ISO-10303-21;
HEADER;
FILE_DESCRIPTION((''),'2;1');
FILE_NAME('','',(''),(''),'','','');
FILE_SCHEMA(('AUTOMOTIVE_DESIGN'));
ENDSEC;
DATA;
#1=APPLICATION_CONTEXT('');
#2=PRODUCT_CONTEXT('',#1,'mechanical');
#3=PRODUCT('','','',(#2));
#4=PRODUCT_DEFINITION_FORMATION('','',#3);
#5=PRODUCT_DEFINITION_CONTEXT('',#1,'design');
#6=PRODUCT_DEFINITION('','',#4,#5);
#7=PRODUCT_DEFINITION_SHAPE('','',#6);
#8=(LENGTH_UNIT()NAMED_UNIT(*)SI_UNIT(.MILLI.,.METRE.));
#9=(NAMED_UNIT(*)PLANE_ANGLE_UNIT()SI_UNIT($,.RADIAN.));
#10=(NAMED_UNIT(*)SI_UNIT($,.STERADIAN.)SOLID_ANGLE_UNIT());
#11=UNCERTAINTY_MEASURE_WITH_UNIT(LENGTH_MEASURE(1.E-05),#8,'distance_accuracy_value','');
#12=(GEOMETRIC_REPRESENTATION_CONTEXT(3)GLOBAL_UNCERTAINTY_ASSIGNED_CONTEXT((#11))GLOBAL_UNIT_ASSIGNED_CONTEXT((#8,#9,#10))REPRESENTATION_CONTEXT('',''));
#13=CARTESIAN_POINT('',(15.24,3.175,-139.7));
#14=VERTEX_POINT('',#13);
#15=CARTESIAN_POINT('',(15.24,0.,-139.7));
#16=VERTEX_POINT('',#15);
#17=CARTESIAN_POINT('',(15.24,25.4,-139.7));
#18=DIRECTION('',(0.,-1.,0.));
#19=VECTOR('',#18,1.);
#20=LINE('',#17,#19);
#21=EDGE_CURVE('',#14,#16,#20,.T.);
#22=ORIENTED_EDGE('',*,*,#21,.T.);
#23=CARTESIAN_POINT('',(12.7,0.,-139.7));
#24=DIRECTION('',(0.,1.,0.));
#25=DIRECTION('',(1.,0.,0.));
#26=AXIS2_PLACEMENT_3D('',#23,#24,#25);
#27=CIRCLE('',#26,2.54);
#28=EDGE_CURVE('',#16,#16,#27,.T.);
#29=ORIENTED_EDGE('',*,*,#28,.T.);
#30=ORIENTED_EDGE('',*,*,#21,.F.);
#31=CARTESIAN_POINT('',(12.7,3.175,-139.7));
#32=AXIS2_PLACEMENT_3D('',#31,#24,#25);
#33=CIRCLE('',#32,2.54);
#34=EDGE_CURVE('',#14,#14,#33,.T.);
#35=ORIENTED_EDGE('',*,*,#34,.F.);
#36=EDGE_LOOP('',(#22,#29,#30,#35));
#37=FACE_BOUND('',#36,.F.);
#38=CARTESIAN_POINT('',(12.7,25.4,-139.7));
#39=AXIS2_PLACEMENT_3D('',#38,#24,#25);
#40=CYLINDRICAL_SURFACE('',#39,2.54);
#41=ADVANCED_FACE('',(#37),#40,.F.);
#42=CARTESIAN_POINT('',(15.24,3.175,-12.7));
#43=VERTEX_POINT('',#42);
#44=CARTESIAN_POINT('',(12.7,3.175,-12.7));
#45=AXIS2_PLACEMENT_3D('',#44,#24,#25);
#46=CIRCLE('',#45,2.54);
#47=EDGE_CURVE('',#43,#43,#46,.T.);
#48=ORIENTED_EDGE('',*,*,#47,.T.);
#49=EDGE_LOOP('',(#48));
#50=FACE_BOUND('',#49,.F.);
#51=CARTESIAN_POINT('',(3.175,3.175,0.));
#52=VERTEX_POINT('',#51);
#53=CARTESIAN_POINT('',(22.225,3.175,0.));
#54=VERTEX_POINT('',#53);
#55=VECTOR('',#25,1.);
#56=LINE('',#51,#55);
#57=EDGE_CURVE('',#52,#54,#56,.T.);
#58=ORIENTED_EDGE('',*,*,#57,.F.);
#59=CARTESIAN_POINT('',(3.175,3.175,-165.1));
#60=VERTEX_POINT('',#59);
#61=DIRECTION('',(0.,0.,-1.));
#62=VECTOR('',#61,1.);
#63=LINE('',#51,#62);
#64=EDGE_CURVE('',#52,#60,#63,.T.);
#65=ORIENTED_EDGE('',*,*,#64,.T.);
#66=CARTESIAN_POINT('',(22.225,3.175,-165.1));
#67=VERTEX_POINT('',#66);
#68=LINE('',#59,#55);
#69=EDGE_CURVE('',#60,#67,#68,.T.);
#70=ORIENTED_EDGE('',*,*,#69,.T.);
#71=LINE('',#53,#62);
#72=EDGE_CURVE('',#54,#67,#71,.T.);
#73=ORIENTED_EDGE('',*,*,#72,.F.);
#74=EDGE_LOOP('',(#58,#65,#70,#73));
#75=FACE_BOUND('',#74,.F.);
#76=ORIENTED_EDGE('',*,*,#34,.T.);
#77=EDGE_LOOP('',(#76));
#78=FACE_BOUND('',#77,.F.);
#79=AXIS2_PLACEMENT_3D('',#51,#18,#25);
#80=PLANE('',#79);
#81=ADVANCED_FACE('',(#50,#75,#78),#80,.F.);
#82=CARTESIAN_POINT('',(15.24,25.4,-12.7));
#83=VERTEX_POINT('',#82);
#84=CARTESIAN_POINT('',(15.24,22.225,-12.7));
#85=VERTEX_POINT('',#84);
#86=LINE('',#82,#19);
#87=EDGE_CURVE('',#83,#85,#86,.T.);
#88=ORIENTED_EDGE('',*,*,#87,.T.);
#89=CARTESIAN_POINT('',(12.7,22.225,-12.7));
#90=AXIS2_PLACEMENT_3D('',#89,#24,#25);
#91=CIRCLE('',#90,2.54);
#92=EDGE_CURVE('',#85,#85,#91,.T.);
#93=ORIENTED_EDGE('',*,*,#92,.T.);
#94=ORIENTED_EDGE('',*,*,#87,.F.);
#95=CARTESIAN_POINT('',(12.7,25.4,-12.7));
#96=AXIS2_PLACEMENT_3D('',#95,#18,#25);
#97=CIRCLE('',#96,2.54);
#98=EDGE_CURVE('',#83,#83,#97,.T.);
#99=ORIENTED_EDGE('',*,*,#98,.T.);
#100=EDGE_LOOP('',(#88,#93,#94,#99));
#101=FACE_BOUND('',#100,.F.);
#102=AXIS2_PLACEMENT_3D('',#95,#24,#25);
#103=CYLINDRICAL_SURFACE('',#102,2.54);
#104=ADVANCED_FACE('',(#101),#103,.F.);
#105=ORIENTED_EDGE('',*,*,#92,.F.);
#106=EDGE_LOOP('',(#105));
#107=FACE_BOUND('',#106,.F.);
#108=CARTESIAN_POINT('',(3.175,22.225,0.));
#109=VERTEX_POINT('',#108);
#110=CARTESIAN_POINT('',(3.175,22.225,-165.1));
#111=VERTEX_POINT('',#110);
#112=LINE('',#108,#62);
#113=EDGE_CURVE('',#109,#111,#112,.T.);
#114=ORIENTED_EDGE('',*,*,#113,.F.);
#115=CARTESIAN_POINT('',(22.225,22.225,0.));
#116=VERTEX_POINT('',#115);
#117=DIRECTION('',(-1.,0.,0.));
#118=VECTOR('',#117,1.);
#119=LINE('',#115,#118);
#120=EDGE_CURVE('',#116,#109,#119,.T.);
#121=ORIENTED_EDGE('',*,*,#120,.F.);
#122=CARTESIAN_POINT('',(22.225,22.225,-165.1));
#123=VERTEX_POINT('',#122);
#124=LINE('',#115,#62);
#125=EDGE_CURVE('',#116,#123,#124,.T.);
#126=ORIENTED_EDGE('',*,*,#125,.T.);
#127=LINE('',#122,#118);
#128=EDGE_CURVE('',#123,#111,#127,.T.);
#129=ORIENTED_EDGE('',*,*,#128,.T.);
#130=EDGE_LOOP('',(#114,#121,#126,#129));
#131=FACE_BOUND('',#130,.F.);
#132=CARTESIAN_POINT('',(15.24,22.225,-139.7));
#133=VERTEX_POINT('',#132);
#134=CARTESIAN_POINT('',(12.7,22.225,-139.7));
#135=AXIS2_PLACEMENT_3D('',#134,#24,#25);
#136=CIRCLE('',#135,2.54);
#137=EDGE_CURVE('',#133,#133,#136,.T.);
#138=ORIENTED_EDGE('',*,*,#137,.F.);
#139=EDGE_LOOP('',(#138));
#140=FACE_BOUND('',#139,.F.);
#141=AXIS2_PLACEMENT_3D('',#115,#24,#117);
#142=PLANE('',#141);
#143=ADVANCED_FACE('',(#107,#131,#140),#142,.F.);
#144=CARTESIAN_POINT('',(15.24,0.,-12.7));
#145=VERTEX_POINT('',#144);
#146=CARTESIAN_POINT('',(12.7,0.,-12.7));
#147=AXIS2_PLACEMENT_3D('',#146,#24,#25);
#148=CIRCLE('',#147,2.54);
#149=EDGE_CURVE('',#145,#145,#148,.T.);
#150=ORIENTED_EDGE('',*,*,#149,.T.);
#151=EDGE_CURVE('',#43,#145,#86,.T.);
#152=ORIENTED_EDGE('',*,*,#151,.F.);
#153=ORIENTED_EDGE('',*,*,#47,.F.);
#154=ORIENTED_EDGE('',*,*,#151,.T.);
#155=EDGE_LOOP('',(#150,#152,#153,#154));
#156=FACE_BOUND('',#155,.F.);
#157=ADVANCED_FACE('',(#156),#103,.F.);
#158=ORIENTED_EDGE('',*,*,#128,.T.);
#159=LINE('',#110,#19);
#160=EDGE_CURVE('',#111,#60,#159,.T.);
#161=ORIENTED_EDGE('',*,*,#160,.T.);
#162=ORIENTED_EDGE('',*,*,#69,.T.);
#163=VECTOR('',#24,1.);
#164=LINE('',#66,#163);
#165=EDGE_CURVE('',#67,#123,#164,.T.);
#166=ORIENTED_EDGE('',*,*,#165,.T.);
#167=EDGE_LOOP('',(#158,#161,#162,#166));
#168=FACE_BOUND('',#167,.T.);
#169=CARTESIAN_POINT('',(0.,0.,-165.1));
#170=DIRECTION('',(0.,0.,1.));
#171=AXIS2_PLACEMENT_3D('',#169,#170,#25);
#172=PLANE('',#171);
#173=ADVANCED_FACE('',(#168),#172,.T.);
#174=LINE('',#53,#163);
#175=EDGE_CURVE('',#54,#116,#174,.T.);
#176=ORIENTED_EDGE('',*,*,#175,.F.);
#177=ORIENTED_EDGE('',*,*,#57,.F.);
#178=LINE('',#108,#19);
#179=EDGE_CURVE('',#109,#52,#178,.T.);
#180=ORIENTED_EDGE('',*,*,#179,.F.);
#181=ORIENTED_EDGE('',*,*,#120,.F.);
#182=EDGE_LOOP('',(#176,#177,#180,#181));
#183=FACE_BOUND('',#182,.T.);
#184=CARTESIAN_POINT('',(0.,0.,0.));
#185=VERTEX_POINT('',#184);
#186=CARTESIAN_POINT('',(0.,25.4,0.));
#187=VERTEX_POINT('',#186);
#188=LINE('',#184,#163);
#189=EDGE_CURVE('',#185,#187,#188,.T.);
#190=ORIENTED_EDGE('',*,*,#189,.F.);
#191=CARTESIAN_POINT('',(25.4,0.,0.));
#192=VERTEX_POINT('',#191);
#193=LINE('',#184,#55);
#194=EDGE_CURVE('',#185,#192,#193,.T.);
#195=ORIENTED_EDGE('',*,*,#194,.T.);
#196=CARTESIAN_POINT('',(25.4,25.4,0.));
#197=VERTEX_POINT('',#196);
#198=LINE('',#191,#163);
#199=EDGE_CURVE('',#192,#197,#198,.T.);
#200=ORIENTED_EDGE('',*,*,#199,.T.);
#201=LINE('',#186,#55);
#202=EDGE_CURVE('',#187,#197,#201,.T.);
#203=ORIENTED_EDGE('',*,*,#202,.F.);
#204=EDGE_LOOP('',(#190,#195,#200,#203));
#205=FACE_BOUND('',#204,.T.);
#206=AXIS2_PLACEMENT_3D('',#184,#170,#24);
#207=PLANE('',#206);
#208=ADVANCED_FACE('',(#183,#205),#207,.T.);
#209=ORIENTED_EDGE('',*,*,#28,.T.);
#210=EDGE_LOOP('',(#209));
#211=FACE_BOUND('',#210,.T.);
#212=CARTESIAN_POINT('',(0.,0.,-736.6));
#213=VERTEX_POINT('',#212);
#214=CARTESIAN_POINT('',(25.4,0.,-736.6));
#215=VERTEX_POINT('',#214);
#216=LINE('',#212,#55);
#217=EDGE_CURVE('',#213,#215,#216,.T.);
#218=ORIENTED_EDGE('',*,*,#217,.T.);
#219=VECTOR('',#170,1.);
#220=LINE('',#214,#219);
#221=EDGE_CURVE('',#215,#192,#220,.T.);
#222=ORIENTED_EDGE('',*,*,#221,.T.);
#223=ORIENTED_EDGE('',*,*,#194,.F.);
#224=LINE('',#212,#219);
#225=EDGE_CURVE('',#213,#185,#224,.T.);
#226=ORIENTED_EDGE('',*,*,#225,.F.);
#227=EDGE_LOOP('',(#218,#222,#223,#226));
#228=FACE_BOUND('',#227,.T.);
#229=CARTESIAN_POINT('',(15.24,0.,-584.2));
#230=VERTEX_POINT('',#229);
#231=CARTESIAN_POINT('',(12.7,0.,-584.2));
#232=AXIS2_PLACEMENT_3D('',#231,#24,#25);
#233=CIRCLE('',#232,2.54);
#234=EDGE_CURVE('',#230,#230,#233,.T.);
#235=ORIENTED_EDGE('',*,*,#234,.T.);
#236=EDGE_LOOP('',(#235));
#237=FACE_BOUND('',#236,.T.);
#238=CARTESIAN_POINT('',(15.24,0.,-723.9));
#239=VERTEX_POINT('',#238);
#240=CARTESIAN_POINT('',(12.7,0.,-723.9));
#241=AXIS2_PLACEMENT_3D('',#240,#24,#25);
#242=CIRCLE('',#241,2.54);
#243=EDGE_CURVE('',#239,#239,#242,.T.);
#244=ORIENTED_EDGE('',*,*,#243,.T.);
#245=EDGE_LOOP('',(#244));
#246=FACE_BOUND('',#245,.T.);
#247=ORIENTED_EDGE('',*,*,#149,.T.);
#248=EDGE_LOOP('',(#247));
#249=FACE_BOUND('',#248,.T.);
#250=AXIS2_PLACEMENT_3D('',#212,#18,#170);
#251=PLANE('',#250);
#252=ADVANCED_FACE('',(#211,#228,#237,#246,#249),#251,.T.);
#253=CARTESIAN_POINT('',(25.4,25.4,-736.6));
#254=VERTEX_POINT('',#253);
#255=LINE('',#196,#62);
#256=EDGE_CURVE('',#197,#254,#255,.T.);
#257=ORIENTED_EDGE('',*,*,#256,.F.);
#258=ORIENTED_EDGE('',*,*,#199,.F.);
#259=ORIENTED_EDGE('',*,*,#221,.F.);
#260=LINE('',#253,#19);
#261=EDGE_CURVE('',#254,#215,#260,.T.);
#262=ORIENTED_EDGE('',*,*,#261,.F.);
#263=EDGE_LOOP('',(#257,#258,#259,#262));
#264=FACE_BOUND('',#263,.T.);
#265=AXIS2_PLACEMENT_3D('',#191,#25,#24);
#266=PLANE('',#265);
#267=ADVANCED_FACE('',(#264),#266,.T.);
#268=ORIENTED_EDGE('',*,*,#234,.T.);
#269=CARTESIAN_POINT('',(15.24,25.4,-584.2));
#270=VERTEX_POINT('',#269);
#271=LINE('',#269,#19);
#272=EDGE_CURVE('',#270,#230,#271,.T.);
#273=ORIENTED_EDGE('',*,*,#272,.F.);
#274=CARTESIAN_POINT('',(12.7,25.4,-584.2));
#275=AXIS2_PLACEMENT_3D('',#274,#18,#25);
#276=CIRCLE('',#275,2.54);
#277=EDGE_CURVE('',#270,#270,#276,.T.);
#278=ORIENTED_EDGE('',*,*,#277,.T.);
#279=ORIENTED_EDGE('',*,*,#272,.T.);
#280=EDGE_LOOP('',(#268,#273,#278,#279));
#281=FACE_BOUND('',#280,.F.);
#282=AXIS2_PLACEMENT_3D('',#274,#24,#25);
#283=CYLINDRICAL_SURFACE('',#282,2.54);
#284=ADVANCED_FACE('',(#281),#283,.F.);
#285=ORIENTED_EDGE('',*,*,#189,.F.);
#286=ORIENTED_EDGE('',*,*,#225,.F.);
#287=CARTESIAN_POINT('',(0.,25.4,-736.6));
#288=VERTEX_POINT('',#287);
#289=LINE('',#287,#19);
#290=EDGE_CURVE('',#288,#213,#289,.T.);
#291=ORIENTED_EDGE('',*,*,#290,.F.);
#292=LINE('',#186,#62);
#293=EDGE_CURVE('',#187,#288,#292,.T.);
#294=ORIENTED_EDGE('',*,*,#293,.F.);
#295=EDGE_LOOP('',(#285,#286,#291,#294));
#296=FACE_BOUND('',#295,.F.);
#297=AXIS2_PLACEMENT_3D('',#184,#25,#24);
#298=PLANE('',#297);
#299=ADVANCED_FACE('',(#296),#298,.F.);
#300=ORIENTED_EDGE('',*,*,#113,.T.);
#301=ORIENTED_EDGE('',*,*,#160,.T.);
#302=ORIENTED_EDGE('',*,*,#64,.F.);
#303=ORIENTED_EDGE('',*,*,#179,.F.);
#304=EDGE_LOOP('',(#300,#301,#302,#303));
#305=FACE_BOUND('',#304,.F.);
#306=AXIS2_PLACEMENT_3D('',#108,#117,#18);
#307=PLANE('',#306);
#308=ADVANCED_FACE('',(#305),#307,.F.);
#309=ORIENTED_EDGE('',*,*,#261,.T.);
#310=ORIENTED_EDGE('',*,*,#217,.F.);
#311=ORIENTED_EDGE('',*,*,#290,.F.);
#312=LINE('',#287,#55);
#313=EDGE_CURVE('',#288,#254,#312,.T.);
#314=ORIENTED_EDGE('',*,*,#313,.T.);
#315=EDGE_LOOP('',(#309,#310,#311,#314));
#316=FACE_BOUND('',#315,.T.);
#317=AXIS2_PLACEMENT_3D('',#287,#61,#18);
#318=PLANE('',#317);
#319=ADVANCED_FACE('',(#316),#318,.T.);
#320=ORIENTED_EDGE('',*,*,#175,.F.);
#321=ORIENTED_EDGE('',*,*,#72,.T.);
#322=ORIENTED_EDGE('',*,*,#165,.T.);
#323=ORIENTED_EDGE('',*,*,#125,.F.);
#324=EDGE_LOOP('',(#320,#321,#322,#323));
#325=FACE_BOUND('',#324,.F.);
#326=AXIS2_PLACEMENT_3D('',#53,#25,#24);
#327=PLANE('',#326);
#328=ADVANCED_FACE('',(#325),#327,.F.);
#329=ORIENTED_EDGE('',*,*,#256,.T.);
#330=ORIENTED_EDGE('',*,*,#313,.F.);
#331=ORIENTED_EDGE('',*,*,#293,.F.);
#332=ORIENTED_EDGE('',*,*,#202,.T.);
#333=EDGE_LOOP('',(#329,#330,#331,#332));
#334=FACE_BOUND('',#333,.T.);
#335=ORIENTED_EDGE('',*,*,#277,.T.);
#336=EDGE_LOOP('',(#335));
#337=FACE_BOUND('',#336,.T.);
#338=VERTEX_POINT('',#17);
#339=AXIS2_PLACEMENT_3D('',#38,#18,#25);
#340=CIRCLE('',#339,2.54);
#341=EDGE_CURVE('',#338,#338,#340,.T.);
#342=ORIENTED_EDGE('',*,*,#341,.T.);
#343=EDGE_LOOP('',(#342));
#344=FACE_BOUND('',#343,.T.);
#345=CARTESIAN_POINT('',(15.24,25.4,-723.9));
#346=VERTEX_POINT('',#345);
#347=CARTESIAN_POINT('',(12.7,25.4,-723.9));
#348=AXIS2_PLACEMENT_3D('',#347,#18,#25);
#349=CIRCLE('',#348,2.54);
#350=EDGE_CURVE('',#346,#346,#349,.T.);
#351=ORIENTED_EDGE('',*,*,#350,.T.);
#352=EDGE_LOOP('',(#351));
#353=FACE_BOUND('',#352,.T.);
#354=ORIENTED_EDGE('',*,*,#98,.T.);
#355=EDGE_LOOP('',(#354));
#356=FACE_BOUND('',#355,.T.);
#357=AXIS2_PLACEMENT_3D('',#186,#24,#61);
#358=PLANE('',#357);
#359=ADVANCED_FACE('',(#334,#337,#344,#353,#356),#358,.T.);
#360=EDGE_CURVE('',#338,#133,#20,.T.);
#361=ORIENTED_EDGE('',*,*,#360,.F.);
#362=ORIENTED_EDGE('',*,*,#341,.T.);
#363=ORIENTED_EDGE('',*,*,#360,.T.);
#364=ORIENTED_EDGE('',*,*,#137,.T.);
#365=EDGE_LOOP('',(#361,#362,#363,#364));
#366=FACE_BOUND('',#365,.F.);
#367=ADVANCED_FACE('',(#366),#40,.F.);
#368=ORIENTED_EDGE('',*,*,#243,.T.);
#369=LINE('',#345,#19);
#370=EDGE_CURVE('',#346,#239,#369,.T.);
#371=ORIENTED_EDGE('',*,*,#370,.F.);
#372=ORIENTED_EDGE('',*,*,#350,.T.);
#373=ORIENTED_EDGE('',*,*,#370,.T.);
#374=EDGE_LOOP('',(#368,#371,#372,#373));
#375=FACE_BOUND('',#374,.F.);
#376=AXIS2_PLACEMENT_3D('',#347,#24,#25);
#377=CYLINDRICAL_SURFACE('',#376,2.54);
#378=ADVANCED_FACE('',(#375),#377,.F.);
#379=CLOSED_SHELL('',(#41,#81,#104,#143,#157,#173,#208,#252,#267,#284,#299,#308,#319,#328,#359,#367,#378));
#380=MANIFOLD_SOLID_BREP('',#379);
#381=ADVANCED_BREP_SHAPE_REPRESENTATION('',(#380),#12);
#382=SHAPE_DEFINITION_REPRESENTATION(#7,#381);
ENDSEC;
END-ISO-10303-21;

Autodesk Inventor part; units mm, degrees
ref_plane "YZ Plane" through (0, 0, 0) normal (1, 0, 0) x (0, 1, 0)
ref_plane "XZ Plane" through (0, 0, 0) normal (0, 1, 0) x (-1, 0, 0)
ref_plane "XY Plane" through (0, 0, 0) normal (0, 0, 1) x (1, 0, 0)
sketch "Sketch1" plane through (0, 0, 0) normal (1, 0, 0) x (0, 1, 0)
  line L0 (0, 0) -> (25.4, 0)
  line L1 (25.4, 0) -> (25.4, -736.6)
  line L2 (25.4, -736.6) -> (0, -736.6)
  line L3 (0, -736.6) -> (0, 0)
  dimension "d0" = 25.4
  dimension "d1" = 736.6
extrude "Extrusion1" add sketch "Sketch1" along normal blind 25.4
sketch "Sketch2" plane through (0, 0, 0) normal (0, 0, 1) x (1, 0, 0)
  line L0 (3.175, 3.175) -> (22.225, 3.175)
  line L1 (22.225, 3.175) -> (22.225, 22.225)
  line L2 (22.225, 22.225) -> (3.175, 22.225)
  line L3 (3.175, 22.225) -> (3.175, 3.175)
  line L4 (0, 25.4) -> (25.4, 25.4) projected
  line L5 (0, 0) -> (0, 25.4) projected
  dimension "d4" = 3.175
  dimension "d5" = 3.175
  dimension "d6" = 19.05
  dimension "d7" = 19.05
extrude "Extrusion2" cut sketch "Sketch2" against normal blind 165.1
sketch "Sketch3" plane through (0, 25.4, 0) normal (0, 1, 0) x (1, 0, 0)
  line L0 (0, 0) -> (0, 736.6) projected
  line L1 (0, 0) -> (12.7, 0)
  line L2 (0, 0) -> (25.4, 0) projected
  line L3 (12.7, 0) -> (12.7, 152.4)
  line L4 (22.225, 152.4) -> (3.175, 152.4) projected
  line L5 (12.7, 152.4) -> (12.7, 139.7)
  line L6 (12.7, 0) -> (12.7, 12.7)
  circle A0 centre (12.7, 12.7) radius 2.54
  circle A1 centre (12.7, 139.7) radius 2.54
  dimension "d10" = 152.4
  dimension "d11" = 12.7
  dimension "d12" = 12.7
  dimension "d13" = 5.08
extrude "Extrusion3" cut sketch "Sketch3" against normal blind 25.4
sketch "Sketch4" plane through (0, 25.4, 0) normal (0, 1, 0) x (1, 0, 0)
  line L0 (0, 736.6) -> (25.4, 736.6) projected
  line L1 (12.7, 736.6) -> (0, 736.6)
  line L2 (12.7, 736.6) -> (12.7, 723.9)
  line L3 (12.7, 723.9) -> (12.7, 571.5)
  line L4 (12.7, 571.5) -> (12.7, 584.2)
  circle A0 centre (12.7, 584.2) radius 2.54
  circle A1 centre (12.7, 723.9) radius 2.54
  point P0 (0, 0)
  dimension "d16" = 12.7
  dimension "d17" = 12.7
  dimension "d18" = 152.4
  dimension "d19" = 12.7
  dimension "d20" = 5.08
extrude "Extrusion4" cut sketch "Sketch4" against normal blind 25.4
properties part number "1by1by6" material "Aluminum 6061"
